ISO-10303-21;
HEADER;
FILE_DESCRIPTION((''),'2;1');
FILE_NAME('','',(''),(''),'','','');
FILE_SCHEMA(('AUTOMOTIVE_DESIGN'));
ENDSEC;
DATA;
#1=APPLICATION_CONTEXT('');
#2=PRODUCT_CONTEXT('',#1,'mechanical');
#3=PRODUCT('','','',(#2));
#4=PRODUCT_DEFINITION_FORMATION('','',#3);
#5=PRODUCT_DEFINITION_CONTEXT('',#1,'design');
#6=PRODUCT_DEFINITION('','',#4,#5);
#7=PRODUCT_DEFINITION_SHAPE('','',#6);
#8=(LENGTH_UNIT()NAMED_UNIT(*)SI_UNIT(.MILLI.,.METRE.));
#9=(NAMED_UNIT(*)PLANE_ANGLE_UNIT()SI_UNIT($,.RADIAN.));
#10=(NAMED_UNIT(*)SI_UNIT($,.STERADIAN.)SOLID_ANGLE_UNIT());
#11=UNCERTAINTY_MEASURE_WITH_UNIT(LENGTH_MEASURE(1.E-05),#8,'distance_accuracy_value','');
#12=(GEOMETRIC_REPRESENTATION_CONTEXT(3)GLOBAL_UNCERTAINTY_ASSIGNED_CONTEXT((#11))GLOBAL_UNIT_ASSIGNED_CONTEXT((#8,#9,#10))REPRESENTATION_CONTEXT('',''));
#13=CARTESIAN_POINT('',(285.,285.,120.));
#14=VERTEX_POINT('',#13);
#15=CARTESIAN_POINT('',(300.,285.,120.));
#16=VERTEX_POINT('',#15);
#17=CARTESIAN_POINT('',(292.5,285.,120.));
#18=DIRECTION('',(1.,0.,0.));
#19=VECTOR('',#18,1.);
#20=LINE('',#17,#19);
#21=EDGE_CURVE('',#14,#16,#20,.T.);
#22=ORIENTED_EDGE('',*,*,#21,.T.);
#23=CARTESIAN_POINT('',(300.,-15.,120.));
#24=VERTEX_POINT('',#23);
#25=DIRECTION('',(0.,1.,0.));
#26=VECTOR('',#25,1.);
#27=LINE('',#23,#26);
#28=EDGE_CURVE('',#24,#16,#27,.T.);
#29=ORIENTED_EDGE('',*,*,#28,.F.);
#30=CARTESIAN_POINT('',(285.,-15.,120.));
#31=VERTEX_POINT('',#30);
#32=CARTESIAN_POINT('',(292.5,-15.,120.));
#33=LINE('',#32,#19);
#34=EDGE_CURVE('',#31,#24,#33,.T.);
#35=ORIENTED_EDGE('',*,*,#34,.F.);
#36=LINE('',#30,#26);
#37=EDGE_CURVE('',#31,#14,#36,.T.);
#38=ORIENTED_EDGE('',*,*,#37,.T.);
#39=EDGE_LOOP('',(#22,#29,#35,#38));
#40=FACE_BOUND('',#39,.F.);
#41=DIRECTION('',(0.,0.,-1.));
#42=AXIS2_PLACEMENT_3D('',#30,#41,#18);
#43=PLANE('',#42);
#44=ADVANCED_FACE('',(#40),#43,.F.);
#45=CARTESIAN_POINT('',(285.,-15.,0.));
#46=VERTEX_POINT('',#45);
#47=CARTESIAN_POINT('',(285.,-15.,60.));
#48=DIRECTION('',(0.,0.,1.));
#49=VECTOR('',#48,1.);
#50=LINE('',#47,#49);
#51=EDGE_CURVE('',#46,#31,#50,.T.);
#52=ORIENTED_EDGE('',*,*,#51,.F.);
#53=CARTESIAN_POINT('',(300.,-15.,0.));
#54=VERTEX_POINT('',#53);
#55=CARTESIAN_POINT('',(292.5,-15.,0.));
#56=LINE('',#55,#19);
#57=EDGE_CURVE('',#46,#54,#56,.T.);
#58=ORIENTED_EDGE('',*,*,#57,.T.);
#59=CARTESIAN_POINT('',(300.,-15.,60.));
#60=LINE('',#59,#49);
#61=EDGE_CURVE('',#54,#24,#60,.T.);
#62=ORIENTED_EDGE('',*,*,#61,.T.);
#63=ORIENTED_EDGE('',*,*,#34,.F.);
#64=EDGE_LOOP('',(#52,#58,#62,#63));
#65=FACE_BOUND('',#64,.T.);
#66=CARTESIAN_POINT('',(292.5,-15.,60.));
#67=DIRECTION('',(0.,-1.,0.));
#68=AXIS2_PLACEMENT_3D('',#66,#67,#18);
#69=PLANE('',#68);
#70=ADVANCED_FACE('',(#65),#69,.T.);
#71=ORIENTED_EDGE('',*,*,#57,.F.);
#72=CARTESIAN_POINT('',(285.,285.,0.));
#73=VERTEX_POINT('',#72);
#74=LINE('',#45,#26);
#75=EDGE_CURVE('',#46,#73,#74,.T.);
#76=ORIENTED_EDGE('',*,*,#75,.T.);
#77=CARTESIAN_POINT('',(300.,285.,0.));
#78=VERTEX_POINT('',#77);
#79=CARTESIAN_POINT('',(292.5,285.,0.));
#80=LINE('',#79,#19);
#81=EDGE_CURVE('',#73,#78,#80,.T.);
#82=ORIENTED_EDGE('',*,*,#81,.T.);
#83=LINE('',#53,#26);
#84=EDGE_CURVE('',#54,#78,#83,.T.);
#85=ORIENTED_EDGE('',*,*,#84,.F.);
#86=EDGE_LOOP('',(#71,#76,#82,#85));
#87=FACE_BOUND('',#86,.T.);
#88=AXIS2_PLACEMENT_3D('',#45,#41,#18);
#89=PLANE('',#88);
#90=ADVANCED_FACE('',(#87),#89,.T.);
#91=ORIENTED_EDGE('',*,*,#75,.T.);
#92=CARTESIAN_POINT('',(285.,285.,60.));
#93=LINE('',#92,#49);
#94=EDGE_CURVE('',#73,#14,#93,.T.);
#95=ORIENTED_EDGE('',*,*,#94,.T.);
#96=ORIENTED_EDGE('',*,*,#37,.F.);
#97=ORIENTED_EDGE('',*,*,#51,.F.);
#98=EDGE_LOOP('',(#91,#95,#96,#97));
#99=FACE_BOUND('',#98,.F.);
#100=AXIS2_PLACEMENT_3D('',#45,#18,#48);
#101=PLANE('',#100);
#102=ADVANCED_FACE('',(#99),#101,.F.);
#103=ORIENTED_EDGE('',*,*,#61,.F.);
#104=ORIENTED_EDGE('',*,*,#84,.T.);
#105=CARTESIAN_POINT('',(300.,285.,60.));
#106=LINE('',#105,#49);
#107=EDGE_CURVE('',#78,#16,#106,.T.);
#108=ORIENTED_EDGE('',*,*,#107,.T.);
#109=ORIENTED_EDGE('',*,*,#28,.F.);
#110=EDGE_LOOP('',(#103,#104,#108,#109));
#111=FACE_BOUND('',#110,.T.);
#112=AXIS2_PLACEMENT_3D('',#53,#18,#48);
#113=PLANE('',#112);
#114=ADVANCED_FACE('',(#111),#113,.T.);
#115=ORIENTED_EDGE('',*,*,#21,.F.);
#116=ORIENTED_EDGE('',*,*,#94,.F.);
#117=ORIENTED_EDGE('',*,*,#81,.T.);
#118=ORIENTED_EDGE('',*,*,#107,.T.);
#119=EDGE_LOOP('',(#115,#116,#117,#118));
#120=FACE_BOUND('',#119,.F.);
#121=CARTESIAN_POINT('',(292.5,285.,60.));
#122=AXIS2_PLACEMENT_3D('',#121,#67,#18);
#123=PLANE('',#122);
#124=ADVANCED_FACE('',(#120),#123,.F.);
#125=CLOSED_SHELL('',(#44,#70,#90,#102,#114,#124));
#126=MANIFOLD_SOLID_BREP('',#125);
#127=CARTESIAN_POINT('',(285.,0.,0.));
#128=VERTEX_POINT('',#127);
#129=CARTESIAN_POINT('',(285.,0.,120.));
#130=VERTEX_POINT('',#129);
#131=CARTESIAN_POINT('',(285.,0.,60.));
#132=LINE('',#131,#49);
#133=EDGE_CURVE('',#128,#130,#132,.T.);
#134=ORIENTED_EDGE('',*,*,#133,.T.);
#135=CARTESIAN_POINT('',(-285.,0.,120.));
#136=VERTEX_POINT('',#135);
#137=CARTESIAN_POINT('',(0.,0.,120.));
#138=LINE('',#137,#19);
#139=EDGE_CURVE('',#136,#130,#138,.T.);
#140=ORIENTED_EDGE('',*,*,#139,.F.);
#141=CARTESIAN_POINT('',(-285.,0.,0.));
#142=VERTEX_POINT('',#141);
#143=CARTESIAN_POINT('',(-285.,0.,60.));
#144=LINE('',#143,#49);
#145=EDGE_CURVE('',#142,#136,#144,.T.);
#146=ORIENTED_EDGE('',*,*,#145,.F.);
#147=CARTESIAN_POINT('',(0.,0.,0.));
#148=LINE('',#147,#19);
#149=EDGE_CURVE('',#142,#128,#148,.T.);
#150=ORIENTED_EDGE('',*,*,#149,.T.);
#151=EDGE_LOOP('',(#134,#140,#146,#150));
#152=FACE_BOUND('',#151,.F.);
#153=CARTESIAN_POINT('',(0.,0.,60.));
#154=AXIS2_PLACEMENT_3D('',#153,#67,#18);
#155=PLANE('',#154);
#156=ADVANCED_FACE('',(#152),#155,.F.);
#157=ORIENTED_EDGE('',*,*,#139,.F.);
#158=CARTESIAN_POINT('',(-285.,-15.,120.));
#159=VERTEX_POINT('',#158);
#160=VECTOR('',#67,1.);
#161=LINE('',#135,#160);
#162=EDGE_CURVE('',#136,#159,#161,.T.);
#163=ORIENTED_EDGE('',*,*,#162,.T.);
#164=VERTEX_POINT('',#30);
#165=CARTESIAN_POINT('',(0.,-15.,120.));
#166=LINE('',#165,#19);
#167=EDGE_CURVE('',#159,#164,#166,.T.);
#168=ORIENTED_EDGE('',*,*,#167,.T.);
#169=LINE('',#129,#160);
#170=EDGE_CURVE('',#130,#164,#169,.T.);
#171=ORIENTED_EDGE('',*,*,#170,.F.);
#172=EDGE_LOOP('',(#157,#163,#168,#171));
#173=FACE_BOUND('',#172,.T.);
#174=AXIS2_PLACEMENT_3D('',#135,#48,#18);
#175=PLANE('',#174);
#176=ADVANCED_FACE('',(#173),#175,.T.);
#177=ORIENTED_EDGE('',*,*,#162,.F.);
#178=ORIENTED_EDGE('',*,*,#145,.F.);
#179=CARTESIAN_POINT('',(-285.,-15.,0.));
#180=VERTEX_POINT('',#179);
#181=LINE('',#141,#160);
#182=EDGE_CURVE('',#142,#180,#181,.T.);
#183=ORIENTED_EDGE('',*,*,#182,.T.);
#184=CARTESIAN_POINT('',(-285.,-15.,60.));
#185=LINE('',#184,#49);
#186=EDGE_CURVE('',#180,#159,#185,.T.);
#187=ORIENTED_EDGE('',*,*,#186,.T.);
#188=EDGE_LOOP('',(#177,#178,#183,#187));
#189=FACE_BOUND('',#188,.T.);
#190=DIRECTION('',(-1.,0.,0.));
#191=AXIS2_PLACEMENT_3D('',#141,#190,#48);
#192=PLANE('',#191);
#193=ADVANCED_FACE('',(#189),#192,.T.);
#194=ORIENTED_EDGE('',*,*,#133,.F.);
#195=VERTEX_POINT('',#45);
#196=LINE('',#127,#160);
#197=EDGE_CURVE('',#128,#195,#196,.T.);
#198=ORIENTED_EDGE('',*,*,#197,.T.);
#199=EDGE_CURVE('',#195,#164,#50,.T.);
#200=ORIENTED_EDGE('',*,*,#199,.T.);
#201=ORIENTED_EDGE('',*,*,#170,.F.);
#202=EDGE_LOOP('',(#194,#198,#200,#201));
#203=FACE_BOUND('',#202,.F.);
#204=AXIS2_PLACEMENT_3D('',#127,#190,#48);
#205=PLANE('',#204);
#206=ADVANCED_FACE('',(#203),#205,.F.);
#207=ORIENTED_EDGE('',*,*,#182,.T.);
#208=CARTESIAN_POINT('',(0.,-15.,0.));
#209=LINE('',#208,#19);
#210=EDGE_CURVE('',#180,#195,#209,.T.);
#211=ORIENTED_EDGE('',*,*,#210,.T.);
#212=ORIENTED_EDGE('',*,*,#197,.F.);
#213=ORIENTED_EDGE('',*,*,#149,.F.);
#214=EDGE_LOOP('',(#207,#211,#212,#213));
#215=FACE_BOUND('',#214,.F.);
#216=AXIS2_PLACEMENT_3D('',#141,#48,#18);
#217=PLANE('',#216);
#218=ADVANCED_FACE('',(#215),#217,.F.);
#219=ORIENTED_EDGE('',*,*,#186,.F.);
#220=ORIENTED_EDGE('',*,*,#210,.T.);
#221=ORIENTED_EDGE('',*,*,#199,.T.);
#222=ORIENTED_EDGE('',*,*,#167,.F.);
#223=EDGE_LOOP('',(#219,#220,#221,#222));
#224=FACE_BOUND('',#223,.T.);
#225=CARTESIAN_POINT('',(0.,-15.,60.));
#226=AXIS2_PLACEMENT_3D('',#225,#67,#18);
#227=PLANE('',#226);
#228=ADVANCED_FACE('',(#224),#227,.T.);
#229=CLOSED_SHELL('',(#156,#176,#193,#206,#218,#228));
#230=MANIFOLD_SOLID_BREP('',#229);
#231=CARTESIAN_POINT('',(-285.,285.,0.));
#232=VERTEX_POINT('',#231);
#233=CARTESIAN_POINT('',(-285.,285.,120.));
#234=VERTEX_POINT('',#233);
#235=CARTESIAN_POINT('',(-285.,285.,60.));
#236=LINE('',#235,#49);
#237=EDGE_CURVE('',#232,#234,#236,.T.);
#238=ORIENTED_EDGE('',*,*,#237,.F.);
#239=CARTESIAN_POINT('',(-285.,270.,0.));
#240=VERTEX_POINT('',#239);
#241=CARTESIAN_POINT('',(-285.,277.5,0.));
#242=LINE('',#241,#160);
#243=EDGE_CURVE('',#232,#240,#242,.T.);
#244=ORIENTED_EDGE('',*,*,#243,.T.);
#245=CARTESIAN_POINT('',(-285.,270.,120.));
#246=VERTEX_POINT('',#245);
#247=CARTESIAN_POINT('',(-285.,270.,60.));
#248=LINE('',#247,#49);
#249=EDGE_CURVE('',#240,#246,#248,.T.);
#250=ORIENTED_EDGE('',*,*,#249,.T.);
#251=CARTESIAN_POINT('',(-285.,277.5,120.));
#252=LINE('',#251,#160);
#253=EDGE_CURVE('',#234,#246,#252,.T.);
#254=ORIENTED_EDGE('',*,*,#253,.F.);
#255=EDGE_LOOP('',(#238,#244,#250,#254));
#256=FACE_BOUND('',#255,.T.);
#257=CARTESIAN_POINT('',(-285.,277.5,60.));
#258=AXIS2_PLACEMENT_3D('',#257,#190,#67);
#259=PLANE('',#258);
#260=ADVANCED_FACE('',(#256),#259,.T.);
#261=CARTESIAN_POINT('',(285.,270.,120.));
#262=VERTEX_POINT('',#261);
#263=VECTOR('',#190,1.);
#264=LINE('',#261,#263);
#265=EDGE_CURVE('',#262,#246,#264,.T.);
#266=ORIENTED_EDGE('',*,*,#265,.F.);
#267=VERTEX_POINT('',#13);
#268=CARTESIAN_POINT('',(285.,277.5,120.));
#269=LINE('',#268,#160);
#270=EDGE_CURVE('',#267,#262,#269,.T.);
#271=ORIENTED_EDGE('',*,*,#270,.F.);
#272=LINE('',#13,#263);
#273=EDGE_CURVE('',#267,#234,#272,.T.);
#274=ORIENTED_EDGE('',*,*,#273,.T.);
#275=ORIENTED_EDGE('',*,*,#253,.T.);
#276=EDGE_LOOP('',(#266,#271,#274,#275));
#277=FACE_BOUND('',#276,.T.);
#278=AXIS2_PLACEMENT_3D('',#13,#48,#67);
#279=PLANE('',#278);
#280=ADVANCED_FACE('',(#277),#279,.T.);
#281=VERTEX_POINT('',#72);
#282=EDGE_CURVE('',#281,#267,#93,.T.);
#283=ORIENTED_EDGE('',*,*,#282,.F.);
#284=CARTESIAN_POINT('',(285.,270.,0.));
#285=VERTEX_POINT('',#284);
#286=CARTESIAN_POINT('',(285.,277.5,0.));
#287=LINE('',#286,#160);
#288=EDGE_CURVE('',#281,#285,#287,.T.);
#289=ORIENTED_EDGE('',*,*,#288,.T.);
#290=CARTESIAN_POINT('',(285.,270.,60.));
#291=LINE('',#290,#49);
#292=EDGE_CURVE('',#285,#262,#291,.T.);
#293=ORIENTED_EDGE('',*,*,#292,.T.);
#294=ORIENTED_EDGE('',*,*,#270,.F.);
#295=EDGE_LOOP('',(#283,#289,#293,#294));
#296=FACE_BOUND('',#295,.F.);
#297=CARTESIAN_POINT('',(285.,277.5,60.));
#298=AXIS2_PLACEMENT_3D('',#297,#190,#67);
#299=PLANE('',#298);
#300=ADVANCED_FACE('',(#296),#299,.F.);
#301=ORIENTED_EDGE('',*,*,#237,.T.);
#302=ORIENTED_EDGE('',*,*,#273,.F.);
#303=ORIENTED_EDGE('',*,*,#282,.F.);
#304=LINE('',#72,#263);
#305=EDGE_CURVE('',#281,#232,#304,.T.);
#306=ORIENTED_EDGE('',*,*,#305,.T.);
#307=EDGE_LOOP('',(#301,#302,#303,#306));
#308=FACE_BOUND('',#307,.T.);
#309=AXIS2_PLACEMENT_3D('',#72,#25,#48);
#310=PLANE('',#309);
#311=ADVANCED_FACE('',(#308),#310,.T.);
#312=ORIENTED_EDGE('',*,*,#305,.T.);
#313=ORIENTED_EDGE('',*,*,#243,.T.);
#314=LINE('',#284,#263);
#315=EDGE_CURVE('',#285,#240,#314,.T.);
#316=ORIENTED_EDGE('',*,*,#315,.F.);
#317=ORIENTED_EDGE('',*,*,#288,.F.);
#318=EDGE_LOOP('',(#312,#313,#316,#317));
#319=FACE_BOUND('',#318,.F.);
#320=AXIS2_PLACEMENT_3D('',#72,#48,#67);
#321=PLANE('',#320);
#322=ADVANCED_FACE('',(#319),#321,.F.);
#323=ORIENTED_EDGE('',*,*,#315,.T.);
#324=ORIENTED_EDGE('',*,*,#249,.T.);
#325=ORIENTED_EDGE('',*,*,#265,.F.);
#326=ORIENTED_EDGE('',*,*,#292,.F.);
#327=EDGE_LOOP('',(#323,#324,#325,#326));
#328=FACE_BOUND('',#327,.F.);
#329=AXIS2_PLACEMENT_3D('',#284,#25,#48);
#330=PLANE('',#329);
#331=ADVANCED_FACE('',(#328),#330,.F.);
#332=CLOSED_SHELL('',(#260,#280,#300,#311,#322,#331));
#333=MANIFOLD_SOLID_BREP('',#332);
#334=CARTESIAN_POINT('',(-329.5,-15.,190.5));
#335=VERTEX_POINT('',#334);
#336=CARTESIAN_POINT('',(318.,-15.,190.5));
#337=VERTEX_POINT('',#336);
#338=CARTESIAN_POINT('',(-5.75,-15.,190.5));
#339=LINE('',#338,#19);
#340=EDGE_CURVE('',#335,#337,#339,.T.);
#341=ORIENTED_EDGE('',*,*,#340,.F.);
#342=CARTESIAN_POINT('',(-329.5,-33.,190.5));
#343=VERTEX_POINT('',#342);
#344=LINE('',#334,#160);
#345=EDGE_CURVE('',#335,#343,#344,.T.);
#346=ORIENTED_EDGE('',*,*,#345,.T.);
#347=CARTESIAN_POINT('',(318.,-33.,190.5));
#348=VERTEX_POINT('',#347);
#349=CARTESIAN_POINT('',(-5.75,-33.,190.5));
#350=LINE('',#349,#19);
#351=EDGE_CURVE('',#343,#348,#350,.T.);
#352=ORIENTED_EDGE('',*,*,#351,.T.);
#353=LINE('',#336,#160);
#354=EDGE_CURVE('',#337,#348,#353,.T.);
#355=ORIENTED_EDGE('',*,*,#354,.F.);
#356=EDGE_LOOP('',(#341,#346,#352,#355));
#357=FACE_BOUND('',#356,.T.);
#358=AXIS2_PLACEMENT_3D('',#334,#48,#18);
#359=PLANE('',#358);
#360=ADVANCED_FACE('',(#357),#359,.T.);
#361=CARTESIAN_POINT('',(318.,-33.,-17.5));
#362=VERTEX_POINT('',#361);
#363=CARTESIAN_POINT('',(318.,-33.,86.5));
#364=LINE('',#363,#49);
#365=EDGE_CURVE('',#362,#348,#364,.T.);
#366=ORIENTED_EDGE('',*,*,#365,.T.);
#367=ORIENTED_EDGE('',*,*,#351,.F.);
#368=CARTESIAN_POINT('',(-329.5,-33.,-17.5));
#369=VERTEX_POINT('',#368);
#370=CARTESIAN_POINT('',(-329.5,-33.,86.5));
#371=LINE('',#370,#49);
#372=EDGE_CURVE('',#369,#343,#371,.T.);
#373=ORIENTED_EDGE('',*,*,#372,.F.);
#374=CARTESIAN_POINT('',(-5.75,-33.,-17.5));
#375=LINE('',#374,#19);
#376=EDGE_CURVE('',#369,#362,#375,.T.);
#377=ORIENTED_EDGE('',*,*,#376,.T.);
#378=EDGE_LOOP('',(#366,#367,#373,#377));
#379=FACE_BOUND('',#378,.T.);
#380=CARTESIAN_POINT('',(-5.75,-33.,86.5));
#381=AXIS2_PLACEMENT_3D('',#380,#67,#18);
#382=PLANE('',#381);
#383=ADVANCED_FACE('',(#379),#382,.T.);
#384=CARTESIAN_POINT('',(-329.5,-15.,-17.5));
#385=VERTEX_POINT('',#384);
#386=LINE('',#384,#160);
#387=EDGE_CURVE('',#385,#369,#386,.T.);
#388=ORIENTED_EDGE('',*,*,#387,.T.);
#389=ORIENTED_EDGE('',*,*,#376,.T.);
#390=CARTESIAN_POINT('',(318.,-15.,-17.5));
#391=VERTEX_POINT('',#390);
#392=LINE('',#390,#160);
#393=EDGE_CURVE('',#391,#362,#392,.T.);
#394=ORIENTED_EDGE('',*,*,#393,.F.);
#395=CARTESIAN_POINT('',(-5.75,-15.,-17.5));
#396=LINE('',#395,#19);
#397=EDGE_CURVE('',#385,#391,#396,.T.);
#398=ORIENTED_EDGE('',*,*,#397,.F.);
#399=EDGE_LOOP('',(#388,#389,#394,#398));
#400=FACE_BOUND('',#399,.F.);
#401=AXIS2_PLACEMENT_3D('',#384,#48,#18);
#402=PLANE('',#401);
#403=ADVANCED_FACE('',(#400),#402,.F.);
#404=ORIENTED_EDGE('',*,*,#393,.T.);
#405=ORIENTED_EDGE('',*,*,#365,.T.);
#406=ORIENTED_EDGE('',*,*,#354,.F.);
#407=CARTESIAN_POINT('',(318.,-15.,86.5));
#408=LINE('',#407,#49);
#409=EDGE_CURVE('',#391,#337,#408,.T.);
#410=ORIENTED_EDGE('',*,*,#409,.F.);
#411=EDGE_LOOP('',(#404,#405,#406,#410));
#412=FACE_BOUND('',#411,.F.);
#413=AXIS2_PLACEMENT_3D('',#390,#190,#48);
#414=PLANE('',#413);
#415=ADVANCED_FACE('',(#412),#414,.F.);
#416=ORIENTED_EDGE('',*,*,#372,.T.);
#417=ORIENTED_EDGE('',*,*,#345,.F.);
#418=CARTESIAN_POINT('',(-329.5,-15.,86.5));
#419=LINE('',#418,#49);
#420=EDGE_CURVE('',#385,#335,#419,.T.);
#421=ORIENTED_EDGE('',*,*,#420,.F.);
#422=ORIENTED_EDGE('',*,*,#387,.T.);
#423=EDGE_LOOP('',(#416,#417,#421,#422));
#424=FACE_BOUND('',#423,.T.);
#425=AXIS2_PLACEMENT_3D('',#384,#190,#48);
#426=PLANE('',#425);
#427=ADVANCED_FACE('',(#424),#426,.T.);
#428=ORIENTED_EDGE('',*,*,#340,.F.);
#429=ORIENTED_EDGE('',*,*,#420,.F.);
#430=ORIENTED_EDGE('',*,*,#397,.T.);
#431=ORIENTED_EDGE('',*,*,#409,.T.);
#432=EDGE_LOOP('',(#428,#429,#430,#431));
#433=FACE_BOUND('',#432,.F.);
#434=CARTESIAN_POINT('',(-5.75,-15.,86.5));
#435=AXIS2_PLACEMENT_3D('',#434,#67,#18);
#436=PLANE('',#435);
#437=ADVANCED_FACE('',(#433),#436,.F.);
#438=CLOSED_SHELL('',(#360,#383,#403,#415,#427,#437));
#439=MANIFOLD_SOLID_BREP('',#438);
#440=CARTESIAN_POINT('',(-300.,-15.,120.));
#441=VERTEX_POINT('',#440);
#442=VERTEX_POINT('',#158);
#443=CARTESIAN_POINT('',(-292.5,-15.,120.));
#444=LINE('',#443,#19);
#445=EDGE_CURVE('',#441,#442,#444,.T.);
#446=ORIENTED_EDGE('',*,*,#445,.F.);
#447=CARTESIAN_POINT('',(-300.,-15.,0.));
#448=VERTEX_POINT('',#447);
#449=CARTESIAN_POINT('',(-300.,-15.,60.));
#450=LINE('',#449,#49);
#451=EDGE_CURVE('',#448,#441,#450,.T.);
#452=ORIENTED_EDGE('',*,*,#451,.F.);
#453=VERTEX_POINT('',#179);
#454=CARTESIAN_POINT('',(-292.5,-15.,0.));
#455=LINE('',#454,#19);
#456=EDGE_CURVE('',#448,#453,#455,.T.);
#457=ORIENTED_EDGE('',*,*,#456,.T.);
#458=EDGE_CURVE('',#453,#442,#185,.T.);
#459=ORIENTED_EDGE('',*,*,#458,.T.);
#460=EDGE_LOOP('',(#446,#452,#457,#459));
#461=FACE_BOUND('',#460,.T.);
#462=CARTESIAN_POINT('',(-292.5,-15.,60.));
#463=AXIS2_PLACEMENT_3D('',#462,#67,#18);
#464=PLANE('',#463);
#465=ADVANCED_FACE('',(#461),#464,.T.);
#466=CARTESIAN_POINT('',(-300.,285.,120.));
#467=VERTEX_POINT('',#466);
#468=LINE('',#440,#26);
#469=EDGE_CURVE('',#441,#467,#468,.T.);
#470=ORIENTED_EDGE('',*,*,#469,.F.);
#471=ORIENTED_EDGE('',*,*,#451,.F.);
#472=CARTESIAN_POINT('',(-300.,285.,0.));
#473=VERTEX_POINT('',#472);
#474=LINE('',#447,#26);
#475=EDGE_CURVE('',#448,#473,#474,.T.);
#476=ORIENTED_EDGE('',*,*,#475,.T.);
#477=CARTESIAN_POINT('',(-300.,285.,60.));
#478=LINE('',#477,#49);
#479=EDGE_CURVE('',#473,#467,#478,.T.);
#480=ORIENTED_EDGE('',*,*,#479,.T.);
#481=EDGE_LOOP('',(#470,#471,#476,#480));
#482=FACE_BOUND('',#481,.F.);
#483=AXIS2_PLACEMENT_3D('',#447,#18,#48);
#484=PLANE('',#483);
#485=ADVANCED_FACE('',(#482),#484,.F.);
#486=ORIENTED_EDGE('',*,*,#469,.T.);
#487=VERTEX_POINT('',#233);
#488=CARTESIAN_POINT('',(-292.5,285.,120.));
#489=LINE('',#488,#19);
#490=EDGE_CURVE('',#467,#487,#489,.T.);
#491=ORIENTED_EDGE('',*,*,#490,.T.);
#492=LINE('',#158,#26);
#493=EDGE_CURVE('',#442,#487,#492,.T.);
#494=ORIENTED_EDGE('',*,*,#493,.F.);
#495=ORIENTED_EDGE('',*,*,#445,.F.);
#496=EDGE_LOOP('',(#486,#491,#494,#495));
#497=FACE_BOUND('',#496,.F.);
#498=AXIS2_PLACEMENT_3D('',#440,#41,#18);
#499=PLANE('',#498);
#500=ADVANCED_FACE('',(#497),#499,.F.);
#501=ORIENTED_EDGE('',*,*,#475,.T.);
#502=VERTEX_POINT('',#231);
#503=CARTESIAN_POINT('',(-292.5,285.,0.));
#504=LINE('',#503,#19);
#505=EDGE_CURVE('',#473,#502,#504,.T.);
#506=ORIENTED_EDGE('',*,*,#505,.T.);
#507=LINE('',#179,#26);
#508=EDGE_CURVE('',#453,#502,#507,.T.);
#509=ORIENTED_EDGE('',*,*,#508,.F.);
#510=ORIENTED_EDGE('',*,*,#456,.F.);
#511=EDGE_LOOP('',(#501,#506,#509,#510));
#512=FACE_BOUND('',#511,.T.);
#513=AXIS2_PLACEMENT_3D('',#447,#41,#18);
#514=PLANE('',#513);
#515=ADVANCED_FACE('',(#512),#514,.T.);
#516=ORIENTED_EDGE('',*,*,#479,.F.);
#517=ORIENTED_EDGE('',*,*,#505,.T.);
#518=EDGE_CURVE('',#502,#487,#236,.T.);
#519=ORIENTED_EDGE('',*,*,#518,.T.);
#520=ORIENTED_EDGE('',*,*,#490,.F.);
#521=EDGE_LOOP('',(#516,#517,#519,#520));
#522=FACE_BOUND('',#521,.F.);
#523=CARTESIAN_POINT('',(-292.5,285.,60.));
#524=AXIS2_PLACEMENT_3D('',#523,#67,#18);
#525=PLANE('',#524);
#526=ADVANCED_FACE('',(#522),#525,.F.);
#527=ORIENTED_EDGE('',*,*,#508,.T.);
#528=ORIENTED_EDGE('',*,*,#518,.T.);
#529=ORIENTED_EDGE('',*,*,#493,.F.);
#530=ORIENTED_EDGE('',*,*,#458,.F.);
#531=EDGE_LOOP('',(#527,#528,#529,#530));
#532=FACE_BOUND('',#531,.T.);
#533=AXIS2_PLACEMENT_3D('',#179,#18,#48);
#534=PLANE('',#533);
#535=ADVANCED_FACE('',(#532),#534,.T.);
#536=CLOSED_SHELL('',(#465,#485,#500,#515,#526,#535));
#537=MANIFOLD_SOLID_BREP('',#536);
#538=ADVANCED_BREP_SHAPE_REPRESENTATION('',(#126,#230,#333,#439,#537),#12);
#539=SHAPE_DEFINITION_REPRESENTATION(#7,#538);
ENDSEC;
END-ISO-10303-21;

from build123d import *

# Parameters (mm, degrees)
F0_W     = 570
F0_H     = 120
F1_DEPTH = 15
F2_W     = 15
F2_H     = 120
F3_DEPTH = 300
F4_W     = 15
F4_H     = 120
F5_DEPTH = 570
F6_W     = 647.5
F6_H     = 208
F7_DEPTH = 18


with BuildPart() as f1:
    # F0 (on Front) → F1 (new body)
    with BuildSketch(Plane.XZ):
        with Locations((0, 60)):
            Rectangle(F0_W, F0_H)
    extrude(amount=F1_DEPTH)


with BuildPart() as f3:
    # F2 (on face) → F3 (new body)
    with BuildSketch(Plane.XZ.offset(15)):
        with Locations((292.5, 60)):
            Rectangle(F2_W, F2_H)
        with Locations((-292.5, 60)):
            Rectangle(F2_W, F2_H)
    extrude(amount=-F3_DEPTH)


with BuildPart() as f5:
    # F4 (on face) → F5 (new body, through all)
    with BuildSketch(Plane(origin=(285, 0, 0), x_dir=(0, -1, 0), z_dir=(-1, 0, 0))):
        with Locations((-277.5, 60)):
            Rectangle(F4_W, F4_H)
    extrude(amount=F5_DEPTH)


with BuildPart() as f7:
    # F6 (on face) → F7 (new body)
    with BuildSketch(Plane.XZ.offset(15)):
        with Locations((-5.75, 86.5)):
            Rectangle(F6_W, F6_H)
    extrude(amount=F7_DEPTH)


solid = Compound([f1.part, f3.part, f5.part, f7.part])
